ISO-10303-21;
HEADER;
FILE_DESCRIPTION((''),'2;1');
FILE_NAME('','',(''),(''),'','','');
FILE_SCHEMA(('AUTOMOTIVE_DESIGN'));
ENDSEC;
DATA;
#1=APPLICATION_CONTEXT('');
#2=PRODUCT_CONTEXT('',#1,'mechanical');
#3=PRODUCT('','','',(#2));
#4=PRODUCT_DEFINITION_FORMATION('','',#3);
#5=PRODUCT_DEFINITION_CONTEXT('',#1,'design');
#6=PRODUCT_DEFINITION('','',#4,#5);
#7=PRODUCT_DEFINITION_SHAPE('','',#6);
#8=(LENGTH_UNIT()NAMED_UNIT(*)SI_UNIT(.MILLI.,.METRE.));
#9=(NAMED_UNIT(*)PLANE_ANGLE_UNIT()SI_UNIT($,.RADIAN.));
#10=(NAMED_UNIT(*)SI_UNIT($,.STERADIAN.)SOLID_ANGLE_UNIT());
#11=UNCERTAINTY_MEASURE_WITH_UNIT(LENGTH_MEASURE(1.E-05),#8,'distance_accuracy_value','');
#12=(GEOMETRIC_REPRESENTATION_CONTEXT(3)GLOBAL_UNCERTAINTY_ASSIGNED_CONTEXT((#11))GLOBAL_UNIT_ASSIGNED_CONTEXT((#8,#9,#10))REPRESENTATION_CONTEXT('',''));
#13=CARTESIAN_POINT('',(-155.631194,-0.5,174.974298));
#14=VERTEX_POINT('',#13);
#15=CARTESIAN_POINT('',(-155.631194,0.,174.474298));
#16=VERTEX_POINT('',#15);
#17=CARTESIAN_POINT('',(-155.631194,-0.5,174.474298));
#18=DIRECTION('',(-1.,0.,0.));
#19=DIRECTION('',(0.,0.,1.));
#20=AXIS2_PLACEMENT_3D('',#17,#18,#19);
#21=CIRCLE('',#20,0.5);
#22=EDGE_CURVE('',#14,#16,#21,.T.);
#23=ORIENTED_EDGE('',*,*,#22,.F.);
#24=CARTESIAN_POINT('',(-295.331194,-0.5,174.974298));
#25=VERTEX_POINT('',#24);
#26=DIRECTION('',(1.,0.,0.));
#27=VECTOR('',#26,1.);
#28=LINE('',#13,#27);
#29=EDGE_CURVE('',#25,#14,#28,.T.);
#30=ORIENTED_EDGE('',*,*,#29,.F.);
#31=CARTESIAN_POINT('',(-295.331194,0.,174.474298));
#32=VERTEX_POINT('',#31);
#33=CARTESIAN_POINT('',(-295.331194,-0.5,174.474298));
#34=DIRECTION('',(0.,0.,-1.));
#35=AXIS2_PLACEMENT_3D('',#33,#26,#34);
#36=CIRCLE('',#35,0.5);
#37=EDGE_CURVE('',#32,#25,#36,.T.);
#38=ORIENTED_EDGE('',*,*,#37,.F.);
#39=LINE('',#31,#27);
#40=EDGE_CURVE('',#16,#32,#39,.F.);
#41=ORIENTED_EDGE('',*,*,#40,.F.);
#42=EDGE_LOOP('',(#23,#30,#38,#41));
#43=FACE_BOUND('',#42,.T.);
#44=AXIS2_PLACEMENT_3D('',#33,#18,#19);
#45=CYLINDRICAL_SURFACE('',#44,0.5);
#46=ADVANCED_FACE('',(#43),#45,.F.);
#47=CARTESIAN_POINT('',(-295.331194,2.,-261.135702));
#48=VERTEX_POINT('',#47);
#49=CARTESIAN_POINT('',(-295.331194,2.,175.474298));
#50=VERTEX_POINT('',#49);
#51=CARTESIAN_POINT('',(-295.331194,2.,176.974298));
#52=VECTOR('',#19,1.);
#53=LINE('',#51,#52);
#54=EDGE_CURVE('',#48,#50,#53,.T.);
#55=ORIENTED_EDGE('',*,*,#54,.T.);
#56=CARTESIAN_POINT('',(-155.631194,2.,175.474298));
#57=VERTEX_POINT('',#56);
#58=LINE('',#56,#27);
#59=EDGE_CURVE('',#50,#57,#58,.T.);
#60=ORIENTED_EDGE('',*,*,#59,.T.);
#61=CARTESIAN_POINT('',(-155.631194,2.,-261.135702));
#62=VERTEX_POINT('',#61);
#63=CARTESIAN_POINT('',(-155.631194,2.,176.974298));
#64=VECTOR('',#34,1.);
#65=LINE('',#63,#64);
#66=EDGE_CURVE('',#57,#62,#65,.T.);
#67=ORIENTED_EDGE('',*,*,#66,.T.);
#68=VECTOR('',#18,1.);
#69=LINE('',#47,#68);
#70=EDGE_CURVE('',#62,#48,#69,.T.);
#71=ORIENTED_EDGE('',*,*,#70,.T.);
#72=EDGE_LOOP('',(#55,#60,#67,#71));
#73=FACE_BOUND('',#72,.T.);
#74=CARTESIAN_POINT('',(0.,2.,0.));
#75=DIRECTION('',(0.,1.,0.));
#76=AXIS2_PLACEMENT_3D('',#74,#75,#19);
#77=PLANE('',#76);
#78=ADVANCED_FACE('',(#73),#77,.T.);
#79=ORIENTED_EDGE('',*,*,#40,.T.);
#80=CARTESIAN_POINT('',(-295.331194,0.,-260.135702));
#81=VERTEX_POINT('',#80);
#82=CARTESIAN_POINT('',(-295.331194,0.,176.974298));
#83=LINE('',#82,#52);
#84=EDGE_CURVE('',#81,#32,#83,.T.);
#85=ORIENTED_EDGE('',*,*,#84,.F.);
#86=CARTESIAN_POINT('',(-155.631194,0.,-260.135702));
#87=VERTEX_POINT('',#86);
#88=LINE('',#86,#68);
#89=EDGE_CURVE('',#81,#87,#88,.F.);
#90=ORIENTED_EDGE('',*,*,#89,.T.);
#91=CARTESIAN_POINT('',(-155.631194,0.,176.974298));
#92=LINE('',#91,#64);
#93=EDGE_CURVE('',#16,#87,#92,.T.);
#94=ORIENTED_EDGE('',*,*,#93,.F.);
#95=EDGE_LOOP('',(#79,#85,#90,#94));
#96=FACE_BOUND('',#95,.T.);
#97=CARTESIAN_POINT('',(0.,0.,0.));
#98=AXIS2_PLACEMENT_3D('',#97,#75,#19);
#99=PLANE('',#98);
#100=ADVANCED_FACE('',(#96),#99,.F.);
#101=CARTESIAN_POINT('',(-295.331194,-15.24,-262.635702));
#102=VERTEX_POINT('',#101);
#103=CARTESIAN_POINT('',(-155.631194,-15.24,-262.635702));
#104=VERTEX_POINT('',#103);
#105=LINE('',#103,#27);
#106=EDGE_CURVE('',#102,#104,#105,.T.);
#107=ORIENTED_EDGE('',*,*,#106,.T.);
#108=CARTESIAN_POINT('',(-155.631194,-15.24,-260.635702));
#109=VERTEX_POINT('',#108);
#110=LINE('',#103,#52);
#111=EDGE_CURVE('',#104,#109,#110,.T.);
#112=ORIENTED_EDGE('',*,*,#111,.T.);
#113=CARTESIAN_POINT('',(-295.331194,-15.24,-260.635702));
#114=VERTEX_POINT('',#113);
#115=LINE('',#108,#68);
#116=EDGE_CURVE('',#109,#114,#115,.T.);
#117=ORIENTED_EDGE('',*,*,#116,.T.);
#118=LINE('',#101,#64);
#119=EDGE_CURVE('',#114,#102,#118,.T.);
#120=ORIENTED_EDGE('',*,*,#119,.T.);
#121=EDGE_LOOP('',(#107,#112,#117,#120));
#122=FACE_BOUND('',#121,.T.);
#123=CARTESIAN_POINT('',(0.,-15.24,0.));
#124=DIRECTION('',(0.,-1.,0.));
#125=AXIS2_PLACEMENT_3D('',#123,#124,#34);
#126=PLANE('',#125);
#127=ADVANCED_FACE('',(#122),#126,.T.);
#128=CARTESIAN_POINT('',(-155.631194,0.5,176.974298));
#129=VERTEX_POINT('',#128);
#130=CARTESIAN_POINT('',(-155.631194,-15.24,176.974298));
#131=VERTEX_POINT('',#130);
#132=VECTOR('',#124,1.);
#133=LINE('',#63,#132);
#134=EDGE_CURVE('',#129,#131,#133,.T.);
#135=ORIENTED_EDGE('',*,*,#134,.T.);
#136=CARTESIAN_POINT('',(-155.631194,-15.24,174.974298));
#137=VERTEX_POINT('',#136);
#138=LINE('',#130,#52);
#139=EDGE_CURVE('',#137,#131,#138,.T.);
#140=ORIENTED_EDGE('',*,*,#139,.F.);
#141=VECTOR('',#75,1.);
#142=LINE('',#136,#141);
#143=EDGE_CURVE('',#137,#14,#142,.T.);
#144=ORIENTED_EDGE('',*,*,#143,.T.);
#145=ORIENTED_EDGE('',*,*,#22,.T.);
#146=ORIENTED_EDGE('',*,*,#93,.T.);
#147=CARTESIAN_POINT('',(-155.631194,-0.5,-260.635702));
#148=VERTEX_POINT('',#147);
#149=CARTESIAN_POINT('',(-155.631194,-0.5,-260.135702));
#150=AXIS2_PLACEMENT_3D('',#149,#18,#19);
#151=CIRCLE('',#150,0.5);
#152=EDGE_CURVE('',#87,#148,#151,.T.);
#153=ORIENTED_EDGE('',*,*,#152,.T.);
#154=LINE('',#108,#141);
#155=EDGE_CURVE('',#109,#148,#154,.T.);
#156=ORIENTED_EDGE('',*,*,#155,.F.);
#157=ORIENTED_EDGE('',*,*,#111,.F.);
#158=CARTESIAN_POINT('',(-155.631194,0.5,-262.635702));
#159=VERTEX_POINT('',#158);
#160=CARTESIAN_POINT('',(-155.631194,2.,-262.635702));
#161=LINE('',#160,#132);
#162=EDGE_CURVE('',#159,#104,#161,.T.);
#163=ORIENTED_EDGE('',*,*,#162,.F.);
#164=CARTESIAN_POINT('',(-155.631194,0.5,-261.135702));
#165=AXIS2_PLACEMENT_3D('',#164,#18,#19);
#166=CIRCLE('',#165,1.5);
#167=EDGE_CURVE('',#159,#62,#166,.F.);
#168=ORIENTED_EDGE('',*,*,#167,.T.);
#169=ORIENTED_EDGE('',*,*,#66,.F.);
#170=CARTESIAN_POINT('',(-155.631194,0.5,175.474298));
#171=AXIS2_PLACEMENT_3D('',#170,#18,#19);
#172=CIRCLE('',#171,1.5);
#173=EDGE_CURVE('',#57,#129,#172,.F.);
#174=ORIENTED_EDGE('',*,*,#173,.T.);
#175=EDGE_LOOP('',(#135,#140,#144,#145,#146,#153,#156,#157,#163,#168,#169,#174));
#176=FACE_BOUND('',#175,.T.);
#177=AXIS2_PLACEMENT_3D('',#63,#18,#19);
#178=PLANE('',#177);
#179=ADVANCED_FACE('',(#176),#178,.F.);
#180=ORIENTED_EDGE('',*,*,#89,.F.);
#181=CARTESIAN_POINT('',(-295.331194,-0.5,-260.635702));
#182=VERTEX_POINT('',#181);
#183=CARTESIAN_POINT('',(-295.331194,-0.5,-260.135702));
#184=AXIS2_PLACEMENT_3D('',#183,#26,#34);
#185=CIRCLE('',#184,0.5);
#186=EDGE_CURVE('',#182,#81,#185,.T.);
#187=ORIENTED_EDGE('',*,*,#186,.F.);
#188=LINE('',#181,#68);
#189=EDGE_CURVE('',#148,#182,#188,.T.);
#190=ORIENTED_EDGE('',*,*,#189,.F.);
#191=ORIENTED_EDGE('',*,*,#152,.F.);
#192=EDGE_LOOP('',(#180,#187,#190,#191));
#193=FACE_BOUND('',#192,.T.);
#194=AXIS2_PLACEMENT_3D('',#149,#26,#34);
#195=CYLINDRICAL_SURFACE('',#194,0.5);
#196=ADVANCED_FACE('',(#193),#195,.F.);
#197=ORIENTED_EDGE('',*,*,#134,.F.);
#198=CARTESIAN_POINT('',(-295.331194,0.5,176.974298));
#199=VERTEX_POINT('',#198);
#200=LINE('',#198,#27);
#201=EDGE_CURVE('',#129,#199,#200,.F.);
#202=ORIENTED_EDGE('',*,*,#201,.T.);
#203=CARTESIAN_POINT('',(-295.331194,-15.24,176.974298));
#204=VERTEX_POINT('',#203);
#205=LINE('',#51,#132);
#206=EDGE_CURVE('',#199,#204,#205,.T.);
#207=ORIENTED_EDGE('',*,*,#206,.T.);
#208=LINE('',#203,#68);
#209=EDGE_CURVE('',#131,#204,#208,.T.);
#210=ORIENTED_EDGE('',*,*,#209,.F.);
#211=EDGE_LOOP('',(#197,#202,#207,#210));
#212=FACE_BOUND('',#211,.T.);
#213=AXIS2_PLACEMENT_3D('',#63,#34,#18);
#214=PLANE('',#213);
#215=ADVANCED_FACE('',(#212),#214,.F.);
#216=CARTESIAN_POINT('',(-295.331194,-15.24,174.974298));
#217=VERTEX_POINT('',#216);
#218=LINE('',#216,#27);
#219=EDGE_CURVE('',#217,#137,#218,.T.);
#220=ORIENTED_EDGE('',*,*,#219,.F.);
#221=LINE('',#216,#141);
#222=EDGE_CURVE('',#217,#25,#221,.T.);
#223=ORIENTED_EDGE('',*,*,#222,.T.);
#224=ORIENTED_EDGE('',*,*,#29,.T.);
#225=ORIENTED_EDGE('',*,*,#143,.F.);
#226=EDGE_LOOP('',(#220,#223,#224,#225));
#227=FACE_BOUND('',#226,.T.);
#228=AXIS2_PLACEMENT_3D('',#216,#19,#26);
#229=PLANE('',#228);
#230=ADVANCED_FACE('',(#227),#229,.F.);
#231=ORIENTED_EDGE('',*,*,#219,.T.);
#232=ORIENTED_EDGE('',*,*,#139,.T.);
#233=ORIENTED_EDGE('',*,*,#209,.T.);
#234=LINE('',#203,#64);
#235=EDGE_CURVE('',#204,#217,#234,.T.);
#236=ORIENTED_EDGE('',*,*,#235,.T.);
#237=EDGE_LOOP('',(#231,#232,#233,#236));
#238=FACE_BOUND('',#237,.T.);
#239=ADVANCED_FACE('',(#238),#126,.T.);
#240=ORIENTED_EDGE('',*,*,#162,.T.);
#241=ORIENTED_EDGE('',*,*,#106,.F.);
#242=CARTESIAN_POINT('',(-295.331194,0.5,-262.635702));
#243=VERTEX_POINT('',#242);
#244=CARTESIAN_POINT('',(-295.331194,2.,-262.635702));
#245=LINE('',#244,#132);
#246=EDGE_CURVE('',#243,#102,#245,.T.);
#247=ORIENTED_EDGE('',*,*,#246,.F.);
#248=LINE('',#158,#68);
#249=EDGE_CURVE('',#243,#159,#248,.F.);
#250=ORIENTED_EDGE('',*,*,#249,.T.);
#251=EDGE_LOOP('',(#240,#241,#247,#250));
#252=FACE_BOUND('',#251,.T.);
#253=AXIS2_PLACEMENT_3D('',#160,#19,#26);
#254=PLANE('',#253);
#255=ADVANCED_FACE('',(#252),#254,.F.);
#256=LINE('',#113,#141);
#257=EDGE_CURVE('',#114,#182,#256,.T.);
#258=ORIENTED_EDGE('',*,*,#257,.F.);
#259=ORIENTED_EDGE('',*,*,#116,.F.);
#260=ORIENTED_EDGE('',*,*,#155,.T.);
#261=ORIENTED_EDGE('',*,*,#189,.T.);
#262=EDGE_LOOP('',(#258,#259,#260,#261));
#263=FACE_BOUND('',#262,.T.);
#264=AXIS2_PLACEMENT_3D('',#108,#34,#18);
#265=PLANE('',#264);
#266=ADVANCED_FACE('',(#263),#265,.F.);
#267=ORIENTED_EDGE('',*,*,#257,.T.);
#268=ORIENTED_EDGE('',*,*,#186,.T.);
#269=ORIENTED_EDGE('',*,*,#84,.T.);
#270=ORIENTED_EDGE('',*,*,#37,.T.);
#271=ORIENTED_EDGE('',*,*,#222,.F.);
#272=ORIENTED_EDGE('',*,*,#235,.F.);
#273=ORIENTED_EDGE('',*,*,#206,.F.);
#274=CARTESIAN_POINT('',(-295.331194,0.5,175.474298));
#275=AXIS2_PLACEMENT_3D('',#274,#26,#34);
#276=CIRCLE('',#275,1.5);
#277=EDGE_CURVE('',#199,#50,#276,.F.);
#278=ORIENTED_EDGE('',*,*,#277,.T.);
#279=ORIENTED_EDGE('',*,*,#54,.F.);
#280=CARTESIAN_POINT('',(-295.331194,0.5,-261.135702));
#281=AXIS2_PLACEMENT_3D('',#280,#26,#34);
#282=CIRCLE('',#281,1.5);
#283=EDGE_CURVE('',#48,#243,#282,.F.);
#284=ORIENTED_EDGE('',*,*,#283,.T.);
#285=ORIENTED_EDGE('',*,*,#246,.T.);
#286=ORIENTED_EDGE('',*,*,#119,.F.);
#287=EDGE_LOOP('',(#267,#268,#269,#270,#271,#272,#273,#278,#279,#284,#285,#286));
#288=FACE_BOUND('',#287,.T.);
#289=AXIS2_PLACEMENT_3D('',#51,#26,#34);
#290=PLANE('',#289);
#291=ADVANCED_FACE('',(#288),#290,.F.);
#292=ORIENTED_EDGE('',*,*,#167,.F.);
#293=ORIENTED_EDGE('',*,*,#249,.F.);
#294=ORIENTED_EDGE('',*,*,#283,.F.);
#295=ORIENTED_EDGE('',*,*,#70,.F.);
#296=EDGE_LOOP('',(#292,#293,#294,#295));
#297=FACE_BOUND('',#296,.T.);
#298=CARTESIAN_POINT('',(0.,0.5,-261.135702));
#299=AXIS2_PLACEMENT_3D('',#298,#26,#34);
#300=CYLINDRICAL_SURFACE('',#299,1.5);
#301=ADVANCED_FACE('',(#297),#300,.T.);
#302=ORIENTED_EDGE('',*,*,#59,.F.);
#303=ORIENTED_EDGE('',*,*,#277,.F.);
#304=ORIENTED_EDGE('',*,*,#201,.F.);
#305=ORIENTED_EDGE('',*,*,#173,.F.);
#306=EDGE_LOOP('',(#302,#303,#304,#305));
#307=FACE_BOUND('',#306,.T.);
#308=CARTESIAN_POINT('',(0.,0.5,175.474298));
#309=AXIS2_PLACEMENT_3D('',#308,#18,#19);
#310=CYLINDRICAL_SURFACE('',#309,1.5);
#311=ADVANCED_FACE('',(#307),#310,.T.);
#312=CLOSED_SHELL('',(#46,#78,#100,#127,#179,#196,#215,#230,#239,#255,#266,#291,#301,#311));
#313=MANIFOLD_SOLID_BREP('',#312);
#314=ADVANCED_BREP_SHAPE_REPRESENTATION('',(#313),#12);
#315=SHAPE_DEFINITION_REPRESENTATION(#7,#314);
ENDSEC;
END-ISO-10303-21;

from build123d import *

# Parameters (mm, degrees)
SKETCH1_W           = 139.7
SKETCH1_H           = 439.61
BOSS_EXTRUDE1_DEPTH = 2
SKETCH2_W           = 139.7
SKETCH2_H           = 2
BOSS_EXTRUDE2_DEPTH = 15.24
FILLET1_R           = 1.5
FILLET2_R           = 0.5


with BuildPart() as part:
    # Sketch1 → Boss-Extrude1 (new body)
    with BuildSketch(Plane(origin=(0, 0, 0), x_dir=(1, 0, 0), z_dir=(0, 1, 0))):
        with Locations((-225.481193932, 42.830702244)):
            Rectangle(SKETCH1_W, SKETCH1_H)
    extrude(amount=BOSS_EXTRUDE1_DEPTH)

    # Sketch2 → Boss-Extrude2 (add)
    with BuildSketch(Plane.XZ):
        with Locations((-225.481193932, -261.635702244)):
            Rectangle(SKETCH2_W, SKETCH2_H)
        with Locations((-225.481193932, 175.974297756)):
            Rectangle(SKETCH2_W, SKETCH2_H)
    extrude(amount=BOSS_EXTRUDE2_DEPTH)

    # Fillet1
    fillet1_edges = [part.edges().sort_by_distance(p)[0] for p in [
        (-225.481193932, 2, 176.974297756),
        (-225.481193932, 2, -262.635702244),
    ]]
    fillet(fillet1_edges, radius=FILLET1_R)

    # Fillet2
    fillet2_edges = [part.edges().sort_by_distance(p)[0] for p in [
        (-225.481193932, 0, -260.635702244),
        (-225.481193932, 0, 174.974297756),
    ]]
    fillet(fillet2_edges, radius=FILLET2_R)


solid = part.part
